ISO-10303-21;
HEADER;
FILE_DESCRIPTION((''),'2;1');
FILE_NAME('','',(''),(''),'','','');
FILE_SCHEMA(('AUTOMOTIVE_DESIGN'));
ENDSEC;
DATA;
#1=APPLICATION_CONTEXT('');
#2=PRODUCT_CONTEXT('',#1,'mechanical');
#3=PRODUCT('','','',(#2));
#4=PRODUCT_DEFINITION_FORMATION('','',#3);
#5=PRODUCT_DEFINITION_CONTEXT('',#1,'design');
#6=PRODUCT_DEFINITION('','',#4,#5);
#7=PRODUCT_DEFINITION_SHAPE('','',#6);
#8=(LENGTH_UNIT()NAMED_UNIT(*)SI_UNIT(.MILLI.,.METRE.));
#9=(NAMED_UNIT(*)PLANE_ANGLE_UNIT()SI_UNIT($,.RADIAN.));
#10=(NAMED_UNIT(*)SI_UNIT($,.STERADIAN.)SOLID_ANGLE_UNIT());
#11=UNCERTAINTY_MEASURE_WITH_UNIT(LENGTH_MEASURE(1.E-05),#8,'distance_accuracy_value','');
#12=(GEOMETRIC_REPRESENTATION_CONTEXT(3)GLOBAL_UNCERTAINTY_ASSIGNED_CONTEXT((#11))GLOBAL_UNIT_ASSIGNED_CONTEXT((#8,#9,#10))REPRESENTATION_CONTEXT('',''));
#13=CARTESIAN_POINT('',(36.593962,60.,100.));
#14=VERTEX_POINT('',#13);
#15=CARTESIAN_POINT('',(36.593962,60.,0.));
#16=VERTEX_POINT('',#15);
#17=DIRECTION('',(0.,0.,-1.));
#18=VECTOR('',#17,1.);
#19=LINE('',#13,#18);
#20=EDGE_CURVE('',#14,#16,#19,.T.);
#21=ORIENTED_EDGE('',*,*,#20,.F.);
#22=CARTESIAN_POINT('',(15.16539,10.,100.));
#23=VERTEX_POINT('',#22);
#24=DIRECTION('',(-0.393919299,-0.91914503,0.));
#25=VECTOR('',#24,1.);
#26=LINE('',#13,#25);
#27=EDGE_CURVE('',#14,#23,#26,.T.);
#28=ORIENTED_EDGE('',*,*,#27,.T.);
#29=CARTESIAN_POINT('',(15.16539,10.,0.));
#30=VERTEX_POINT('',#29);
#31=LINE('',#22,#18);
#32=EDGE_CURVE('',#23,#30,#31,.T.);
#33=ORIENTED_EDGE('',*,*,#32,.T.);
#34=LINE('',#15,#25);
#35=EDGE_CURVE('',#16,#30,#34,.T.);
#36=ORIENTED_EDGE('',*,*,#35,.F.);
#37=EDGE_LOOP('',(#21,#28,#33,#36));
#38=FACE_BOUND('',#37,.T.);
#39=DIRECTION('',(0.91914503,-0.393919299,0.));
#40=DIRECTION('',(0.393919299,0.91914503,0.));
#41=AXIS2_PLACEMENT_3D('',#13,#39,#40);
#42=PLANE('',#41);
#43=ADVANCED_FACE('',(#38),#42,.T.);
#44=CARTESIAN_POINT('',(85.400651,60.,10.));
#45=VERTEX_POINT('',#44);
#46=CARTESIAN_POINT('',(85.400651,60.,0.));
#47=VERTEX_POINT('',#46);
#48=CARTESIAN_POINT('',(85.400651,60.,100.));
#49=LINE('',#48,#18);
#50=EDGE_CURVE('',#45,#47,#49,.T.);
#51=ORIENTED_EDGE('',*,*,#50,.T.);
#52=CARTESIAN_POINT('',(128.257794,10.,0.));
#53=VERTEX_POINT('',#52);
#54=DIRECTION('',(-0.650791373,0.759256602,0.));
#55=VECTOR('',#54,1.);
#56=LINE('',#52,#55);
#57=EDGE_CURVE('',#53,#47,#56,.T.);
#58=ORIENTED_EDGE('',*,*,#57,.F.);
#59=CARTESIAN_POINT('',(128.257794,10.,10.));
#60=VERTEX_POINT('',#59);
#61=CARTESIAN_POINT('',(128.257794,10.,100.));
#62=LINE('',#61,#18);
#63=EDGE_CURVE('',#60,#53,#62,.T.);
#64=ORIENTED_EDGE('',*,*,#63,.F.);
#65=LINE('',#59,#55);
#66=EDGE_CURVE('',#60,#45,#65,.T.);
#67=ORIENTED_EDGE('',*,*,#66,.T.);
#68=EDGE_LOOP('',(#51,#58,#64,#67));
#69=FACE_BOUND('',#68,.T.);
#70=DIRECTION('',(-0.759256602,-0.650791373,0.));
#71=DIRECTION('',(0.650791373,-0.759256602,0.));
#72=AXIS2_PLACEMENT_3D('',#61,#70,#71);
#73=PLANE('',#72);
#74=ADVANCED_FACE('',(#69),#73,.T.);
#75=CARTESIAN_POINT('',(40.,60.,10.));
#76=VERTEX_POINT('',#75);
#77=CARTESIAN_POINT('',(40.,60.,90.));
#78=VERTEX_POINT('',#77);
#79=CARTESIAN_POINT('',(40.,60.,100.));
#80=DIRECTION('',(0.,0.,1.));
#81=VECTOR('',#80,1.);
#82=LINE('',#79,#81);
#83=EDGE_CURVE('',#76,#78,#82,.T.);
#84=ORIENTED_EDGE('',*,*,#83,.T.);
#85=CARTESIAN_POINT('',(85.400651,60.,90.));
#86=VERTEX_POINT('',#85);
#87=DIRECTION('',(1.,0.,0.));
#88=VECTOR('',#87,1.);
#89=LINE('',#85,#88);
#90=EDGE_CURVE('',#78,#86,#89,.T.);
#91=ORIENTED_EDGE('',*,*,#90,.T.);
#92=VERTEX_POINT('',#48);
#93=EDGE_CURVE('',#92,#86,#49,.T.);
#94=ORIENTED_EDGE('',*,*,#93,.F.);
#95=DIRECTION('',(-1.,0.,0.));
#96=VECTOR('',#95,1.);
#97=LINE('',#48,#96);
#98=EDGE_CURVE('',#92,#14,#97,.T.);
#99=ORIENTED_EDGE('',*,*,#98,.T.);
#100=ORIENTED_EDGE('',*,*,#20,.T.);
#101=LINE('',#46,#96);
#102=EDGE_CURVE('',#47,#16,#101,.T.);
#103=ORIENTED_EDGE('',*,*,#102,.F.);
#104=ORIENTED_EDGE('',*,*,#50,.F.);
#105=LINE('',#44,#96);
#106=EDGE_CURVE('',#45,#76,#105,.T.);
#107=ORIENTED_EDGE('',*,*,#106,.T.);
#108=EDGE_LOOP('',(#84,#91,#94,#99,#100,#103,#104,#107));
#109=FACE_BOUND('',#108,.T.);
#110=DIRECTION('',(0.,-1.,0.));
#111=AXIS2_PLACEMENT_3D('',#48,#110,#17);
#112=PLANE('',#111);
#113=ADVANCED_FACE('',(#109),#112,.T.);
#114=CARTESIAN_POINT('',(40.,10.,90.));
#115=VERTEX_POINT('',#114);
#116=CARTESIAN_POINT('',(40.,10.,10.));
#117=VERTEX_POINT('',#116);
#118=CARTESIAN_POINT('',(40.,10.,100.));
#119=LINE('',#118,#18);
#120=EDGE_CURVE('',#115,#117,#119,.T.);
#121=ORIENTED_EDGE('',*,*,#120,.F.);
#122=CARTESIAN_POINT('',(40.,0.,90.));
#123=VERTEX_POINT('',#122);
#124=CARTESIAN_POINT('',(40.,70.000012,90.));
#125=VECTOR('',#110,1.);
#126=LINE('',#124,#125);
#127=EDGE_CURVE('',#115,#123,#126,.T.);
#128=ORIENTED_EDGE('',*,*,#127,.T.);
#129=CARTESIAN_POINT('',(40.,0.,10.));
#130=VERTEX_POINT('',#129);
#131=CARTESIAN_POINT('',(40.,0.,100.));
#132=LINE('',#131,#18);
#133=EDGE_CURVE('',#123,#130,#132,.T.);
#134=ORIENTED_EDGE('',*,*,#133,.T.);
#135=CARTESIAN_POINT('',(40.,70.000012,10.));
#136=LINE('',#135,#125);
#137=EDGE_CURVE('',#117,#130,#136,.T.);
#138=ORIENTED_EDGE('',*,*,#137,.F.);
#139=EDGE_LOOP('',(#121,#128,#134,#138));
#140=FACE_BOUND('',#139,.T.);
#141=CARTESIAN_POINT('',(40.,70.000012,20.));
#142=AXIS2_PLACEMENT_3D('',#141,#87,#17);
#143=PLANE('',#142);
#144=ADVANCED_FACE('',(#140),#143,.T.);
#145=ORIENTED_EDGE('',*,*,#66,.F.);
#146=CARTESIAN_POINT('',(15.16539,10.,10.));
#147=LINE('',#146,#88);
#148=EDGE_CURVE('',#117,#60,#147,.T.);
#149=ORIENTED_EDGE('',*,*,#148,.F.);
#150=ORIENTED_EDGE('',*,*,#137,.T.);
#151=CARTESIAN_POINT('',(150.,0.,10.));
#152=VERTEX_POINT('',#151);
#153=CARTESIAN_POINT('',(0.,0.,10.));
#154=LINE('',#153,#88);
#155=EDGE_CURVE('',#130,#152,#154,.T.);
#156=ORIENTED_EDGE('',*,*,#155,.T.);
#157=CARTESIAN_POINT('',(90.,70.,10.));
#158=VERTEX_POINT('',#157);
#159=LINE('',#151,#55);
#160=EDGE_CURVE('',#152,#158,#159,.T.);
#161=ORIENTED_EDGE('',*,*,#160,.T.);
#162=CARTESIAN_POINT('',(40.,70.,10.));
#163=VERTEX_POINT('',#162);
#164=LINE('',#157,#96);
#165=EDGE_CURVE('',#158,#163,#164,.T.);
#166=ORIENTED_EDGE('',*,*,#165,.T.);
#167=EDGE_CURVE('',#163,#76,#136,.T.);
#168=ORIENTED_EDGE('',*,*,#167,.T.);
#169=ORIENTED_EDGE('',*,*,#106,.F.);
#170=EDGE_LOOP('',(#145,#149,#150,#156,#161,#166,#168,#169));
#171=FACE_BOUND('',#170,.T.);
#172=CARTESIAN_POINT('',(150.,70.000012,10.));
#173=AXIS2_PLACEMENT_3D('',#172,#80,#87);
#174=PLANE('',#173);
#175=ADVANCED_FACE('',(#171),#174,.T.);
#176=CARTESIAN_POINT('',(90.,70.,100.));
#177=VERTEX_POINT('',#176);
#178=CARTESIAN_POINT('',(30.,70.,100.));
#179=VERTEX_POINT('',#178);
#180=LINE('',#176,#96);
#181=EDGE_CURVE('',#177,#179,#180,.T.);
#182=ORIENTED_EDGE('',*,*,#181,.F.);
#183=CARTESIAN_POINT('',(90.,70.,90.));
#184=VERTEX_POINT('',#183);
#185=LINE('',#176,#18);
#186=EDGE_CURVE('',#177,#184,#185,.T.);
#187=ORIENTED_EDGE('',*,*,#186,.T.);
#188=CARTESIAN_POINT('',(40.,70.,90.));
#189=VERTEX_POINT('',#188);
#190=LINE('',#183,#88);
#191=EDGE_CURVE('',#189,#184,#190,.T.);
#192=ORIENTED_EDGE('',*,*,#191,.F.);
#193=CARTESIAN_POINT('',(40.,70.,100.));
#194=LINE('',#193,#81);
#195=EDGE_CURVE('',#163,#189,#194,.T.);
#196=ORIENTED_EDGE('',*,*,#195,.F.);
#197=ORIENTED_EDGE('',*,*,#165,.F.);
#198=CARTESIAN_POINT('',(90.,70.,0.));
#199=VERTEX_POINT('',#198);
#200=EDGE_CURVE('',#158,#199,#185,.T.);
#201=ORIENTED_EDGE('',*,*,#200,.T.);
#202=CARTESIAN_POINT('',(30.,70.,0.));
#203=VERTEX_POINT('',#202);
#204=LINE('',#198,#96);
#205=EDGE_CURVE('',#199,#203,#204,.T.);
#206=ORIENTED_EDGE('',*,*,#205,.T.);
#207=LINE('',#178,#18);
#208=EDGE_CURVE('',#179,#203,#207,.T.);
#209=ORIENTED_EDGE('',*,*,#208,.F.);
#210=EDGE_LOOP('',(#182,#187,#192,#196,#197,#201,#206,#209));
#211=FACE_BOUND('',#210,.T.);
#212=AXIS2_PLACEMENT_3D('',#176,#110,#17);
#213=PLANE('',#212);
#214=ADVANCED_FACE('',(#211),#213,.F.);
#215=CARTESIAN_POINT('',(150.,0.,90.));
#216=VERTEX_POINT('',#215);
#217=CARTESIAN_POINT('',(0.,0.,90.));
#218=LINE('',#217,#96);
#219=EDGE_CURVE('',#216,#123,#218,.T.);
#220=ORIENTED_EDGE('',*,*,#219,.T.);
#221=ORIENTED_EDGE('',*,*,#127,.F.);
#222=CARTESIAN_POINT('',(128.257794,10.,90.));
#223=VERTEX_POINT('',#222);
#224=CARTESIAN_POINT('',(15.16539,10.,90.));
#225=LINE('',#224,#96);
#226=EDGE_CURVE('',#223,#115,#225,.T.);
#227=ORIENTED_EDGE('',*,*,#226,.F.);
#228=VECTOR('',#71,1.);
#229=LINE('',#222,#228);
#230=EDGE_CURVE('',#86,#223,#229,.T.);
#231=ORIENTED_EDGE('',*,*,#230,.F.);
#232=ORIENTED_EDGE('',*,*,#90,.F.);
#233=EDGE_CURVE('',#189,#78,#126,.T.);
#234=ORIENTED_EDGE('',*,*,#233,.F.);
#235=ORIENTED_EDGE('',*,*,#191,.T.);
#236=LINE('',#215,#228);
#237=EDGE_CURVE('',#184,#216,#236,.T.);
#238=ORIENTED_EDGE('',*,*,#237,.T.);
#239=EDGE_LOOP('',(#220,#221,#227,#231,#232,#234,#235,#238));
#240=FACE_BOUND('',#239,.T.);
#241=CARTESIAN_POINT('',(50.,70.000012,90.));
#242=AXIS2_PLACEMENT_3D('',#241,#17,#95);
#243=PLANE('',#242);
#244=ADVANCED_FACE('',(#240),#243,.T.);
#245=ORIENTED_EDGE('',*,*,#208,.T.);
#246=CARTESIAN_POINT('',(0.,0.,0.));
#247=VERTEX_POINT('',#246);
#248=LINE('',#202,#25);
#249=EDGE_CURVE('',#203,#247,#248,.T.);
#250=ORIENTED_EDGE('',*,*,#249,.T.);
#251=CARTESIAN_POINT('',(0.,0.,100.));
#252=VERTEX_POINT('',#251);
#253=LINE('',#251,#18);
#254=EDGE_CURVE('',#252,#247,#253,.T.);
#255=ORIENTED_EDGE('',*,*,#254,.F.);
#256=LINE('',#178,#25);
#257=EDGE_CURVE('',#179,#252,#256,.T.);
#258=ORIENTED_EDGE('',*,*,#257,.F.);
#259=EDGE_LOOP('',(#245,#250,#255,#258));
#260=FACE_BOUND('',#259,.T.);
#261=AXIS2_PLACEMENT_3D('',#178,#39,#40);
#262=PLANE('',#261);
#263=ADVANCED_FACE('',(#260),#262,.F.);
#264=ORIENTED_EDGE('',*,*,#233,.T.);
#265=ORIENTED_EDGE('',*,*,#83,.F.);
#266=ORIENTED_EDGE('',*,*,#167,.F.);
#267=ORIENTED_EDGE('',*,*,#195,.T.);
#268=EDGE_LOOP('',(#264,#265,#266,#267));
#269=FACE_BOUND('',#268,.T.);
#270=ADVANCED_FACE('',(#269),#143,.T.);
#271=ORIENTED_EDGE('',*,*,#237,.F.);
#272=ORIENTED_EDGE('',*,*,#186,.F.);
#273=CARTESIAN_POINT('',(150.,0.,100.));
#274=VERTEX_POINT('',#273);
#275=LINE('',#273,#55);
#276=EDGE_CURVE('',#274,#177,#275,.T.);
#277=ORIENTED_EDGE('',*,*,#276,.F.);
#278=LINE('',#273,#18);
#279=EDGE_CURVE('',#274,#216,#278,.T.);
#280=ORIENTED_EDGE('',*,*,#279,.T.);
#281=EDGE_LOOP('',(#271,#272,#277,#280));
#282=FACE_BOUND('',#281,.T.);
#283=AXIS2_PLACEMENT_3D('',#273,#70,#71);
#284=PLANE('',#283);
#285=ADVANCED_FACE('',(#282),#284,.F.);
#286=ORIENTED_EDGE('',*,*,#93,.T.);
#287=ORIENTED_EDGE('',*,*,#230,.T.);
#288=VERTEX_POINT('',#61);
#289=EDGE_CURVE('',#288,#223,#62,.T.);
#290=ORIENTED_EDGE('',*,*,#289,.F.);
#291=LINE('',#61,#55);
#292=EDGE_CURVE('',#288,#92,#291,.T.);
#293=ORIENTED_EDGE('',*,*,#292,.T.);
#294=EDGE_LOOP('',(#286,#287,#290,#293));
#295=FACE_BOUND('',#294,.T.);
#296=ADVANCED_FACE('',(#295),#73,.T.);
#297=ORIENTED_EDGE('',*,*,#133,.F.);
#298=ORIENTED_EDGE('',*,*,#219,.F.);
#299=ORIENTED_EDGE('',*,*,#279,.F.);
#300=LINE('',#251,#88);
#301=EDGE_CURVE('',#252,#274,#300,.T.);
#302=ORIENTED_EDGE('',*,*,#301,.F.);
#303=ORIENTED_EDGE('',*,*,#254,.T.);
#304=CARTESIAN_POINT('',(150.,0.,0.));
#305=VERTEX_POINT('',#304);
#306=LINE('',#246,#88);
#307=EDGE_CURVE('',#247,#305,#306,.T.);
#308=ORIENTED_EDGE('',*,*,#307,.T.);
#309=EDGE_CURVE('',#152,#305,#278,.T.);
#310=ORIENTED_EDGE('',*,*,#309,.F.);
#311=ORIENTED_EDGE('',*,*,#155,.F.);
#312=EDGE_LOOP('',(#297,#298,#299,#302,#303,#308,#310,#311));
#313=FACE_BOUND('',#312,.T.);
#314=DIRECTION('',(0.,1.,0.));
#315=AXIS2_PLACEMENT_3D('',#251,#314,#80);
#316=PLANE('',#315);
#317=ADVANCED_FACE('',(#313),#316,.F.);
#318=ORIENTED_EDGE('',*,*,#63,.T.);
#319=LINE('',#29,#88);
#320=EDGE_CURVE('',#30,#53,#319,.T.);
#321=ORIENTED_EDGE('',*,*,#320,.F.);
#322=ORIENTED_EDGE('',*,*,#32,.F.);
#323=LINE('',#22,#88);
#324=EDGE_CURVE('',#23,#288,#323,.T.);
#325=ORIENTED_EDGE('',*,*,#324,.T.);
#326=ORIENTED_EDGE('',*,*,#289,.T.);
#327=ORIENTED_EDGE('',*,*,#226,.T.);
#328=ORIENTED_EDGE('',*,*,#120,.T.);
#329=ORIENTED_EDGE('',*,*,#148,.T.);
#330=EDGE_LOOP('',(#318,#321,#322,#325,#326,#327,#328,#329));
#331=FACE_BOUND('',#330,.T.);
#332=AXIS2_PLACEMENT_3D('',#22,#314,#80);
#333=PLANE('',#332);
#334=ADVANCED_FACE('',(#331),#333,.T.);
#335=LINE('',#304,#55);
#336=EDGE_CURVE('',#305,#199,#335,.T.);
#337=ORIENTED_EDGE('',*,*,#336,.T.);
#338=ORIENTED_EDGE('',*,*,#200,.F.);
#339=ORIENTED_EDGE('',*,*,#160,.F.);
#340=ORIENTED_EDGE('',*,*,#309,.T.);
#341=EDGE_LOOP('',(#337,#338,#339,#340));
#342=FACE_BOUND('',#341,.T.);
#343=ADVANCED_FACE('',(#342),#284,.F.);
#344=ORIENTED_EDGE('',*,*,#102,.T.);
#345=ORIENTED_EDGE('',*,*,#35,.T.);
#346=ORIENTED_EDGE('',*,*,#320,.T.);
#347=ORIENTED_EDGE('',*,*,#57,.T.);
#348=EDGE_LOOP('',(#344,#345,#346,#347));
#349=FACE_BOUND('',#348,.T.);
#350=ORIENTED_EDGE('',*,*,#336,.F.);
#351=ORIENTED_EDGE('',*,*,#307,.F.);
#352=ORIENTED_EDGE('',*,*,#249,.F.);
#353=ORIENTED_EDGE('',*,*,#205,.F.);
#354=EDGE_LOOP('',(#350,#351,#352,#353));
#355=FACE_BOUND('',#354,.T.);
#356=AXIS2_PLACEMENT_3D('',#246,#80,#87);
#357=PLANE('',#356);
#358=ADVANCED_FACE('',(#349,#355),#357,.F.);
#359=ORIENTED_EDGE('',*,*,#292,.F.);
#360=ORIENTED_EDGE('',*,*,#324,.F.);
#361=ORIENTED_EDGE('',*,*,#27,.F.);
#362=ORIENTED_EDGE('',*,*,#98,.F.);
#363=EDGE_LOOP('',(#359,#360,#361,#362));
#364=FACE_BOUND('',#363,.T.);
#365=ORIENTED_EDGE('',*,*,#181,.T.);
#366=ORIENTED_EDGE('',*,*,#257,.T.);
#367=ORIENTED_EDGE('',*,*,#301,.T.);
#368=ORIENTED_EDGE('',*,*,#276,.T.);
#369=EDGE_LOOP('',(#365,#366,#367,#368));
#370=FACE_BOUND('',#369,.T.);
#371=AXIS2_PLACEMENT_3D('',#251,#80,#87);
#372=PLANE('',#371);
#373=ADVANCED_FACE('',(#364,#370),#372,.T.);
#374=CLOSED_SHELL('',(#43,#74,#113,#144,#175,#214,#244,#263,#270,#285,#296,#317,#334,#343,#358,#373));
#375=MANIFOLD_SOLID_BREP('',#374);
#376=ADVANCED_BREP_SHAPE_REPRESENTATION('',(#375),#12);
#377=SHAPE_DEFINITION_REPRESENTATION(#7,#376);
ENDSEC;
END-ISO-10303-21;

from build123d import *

# Parameters (mm, degrees)
BOSS_EXTRUDE2_DEPTH          = 100
CUT_EXTRUDE_THIN5_DEPTH      = 194.390796058
CUT_EXTRUDE_THIN5_DEPTH_BACK = 100


with BuildPart() as part:
    # Sketch1 → Boss-Extrude2 (new body)
    with BuildSketch(Plane.XY):
        Polygon((0, 0), (150, 0), (90, 70), (30, 70), align=None)
        Polygon((36.59396158, 60), (15.165390151, 10), (128.257793632, 10), (85.400650775, 60), align=None, mode=Mode.SUBTRACT)
    extrude(amount=BOSS_EXTRUDE2_DEPTH)

    # Sketch10 → Cut-Extrude-Thin5 (cut, two sides: drawn at the far end of the back side and taken through both)
    with BuildSketch(Plane(origin=(0, 70, 0), x_dir=(1, 0, 0), z_dir=(0, 1, 0)).offset(-CUT_EXTRUDE_THIN5_DEPTH_BACK)):
        Polygon((150, -20), (50, -20), (50, -80), (150, -80), (150, -90), (40, -90), (40, -10), (150, -10), align=None)
    extrude(amount=CUT_EXTRUDE_THIN5_DEPTH + CUT_EXTRUDE_THIN5_DEPTH_BACK, mode=Mode.SUBTRACT)


with BuildPart() as body_2:
    # of the pieces the cut leaves, the one that is kept (cut_extrude_thin5_keep)
    add(part.part.solids().sort_by_distance((0, 0, 0))[0])


solid = body_2.part
